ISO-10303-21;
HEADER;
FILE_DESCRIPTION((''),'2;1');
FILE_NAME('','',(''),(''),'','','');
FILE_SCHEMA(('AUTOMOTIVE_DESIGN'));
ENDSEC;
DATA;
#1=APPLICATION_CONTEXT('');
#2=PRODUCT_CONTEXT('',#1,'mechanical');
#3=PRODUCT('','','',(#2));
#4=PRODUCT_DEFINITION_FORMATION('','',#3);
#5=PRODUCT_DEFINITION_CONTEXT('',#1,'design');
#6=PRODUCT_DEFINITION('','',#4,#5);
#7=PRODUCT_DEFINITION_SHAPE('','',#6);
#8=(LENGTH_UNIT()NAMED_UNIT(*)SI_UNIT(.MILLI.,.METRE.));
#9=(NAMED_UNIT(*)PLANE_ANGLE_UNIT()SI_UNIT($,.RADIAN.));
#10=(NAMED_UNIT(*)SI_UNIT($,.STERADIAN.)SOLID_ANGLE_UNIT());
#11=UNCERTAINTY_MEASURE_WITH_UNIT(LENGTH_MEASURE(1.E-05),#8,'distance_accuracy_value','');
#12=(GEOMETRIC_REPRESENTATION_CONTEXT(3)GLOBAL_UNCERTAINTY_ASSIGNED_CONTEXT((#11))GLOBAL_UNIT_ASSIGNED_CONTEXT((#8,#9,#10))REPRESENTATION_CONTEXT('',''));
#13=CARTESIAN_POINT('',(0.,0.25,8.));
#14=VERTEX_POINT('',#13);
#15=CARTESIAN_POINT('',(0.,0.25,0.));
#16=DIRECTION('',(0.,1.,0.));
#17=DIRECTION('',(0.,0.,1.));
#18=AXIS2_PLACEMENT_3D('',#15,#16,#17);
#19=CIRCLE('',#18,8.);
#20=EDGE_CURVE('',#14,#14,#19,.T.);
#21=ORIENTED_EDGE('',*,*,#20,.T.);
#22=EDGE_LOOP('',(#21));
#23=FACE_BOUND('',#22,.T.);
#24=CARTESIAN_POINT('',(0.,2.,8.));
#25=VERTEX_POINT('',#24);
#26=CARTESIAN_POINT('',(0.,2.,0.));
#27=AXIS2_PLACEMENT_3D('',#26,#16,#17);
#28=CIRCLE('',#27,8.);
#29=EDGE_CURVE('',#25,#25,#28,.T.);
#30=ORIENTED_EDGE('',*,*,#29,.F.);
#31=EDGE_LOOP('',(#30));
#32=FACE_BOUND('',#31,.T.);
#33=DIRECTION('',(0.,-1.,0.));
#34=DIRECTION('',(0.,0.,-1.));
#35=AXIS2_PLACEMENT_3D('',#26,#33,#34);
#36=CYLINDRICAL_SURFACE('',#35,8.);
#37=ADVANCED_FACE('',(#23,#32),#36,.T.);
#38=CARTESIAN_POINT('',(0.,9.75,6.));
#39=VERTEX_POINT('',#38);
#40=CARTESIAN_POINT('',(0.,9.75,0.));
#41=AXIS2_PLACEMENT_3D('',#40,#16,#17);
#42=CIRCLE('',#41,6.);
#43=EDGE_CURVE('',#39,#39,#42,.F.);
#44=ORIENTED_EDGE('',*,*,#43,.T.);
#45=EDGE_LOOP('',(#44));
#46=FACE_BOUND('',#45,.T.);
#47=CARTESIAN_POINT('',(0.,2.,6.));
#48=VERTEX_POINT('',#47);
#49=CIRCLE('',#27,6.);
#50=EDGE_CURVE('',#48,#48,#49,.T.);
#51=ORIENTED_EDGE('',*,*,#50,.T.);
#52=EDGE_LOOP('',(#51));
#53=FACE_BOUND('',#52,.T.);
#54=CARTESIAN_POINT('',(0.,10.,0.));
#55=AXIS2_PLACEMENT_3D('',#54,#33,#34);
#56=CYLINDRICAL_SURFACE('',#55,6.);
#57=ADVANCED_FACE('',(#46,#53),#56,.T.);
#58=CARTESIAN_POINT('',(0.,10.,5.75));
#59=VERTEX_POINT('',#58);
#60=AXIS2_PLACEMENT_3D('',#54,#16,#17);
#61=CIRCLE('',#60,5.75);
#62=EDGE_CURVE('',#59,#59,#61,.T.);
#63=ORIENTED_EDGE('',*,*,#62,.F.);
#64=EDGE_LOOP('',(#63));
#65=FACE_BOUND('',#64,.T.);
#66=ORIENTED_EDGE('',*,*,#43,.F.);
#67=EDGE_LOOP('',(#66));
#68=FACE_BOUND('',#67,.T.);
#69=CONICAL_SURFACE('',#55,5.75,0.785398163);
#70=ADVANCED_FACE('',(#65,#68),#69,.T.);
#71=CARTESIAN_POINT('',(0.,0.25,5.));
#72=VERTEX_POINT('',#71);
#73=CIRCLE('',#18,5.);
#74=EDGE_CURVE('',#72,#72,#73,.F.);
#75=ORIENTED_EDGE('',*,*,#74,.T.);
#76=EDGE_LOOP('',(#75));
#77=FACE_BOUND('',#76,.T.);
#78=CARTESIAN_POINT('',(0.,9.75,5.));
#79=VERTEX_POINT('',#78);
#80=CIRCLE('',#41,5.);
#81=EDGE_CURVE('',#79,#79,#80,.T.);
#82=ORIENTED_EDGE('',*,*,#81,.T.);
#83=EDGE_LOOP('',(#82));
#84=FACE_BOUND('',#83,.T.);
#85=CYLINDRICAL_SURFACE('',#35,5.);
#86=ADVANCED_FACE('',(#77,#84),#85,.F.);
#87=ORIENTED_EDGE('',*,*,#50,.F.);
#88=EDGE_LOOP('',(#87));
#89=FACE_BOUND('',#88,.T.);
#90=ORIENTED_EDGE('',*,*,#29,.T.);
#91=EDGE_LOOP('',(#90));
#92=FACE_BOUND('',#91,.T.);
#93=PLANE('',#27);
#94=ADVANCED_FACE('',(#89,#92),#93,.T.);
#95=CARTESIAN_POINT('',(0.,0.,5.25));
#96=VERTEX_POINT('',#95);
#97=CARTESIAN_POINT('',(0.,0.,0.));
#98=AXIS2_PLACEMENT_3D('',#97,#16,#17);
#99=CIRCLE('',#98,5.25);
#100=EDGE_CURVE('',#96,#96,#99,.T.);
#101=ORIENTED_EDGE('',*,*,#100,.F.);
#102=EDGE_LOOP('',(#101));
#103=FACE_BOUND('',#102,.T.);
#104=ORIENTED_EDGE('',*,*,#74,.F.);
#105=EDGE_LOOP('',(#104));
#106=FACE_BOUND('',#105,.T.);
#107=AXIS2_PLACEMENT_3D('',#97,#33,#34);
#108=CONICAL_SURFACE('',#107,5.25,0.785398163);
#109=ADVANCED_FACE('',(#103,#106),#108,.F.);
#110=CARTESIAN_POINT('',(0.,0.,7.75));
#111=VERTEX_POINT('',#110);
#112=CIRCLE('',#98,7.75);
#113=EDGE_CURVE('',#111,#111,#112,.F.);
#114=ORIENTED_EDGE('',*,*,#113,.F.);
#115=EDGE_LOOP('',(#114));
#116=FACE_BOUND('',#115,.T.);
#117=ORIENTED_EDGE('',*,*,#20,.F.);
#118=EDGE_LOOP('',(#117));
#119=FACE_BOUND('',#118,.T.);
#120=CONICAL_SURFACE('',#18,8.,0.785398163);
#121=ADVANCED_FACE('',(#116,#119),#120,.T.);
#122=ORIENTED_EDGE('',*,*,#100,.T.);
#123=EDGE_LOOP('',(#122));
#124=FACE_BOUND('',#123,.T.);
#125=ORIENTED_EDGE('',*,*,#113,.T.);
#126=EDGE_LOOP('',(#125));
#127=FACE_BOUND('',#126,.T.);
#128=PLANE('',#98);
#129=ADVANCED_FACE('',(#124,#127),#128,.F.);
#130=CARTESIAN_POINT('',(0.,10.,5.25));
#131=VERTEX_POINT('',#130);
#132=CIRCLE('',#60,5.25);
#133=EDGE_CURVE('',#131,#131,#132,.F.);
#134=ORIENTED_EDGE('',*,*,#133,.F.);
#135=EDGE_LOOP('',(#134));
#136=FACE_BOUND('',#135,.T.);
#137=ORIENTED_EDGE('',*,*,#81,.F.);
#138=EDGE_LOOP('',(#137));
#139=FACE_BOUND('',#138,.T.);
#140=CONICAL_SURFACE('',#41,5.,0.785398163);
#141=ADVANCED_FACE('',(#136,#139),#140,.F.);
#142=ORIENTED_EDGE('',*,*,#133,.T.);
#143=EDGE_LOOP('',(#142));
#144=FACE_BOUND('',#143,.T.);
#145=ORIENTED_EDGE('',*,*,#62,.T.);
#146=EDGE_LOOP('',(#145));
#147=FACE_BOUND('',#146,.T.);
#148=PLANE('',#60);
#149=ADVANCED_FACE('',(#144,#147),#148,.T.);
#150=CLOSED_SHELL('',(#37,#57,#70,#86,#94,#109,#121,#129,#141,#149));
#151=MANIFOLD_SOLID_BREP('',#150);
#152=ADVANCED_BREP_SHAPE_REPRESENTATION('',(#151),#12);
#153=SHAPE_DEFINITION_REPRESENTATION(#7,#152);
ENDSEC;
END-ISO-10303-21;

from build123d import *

# Parameters (mm, degrees)
SKETCH_1_R      = 8
SKETCH_1_R_2    = 5
EXTRUDE_1_DEPTH = 2
SKETCH_2_R      = 6
SKETCH_2_R_2    = 5
EXTRUDE_2_DEPTH = 8
CHAMFER_1_SIZE  = 0.25


with BuildPart() as part:
    # 草图1 → 凸台-拉伸1 (new body)
    with BuildSketch(Plane(origin=(0, 0, 0), x_dir=(1, 0, 0), z_dir=(0, 1, 0))):
        with Locations(Location((0, 0, 0), (0, 0, 270))):
            Circle(SKETCH_1_R)
        with Locations(Location((0, 0, 0), (0, 0, 270))):
            Circle(SKETCH_1_R_2, mode=Mode.SUBTRACT)
    extrude(amount=EXTRUDE_1_DEPTH)

    # 草图2 → 凸台-拉伸2 (add)
    with BuildSketch(Plane(origin=(0, 2, 0), x_dir=(1, 0, 0), z_dir=(0, 1, 0))):
        with Locations(Location((0, 0, 0), (0, 0, 270))):
            Circle(SKETCH_2_R)
        with Locations(Location((0, 0, 0), (0, 0, 270))):
            Circle(SKETCH_2_R_2, mode=Mode.SUBTRACT)
    extrude(amount=EXTRUDE_2_DEPTH)

    # 倒角1
    chamfer_1_edges = [part.edges().sort_by_distance(p)[0] for p in [
        (0, 10, -6),
        (0, 10, -5),
        (0, 0, -8),
        (0, 0, -5),
    ]]
    chamfer(chamfer_1_edges, length=CHAMFER_1_SIZE)


solid = part.part
